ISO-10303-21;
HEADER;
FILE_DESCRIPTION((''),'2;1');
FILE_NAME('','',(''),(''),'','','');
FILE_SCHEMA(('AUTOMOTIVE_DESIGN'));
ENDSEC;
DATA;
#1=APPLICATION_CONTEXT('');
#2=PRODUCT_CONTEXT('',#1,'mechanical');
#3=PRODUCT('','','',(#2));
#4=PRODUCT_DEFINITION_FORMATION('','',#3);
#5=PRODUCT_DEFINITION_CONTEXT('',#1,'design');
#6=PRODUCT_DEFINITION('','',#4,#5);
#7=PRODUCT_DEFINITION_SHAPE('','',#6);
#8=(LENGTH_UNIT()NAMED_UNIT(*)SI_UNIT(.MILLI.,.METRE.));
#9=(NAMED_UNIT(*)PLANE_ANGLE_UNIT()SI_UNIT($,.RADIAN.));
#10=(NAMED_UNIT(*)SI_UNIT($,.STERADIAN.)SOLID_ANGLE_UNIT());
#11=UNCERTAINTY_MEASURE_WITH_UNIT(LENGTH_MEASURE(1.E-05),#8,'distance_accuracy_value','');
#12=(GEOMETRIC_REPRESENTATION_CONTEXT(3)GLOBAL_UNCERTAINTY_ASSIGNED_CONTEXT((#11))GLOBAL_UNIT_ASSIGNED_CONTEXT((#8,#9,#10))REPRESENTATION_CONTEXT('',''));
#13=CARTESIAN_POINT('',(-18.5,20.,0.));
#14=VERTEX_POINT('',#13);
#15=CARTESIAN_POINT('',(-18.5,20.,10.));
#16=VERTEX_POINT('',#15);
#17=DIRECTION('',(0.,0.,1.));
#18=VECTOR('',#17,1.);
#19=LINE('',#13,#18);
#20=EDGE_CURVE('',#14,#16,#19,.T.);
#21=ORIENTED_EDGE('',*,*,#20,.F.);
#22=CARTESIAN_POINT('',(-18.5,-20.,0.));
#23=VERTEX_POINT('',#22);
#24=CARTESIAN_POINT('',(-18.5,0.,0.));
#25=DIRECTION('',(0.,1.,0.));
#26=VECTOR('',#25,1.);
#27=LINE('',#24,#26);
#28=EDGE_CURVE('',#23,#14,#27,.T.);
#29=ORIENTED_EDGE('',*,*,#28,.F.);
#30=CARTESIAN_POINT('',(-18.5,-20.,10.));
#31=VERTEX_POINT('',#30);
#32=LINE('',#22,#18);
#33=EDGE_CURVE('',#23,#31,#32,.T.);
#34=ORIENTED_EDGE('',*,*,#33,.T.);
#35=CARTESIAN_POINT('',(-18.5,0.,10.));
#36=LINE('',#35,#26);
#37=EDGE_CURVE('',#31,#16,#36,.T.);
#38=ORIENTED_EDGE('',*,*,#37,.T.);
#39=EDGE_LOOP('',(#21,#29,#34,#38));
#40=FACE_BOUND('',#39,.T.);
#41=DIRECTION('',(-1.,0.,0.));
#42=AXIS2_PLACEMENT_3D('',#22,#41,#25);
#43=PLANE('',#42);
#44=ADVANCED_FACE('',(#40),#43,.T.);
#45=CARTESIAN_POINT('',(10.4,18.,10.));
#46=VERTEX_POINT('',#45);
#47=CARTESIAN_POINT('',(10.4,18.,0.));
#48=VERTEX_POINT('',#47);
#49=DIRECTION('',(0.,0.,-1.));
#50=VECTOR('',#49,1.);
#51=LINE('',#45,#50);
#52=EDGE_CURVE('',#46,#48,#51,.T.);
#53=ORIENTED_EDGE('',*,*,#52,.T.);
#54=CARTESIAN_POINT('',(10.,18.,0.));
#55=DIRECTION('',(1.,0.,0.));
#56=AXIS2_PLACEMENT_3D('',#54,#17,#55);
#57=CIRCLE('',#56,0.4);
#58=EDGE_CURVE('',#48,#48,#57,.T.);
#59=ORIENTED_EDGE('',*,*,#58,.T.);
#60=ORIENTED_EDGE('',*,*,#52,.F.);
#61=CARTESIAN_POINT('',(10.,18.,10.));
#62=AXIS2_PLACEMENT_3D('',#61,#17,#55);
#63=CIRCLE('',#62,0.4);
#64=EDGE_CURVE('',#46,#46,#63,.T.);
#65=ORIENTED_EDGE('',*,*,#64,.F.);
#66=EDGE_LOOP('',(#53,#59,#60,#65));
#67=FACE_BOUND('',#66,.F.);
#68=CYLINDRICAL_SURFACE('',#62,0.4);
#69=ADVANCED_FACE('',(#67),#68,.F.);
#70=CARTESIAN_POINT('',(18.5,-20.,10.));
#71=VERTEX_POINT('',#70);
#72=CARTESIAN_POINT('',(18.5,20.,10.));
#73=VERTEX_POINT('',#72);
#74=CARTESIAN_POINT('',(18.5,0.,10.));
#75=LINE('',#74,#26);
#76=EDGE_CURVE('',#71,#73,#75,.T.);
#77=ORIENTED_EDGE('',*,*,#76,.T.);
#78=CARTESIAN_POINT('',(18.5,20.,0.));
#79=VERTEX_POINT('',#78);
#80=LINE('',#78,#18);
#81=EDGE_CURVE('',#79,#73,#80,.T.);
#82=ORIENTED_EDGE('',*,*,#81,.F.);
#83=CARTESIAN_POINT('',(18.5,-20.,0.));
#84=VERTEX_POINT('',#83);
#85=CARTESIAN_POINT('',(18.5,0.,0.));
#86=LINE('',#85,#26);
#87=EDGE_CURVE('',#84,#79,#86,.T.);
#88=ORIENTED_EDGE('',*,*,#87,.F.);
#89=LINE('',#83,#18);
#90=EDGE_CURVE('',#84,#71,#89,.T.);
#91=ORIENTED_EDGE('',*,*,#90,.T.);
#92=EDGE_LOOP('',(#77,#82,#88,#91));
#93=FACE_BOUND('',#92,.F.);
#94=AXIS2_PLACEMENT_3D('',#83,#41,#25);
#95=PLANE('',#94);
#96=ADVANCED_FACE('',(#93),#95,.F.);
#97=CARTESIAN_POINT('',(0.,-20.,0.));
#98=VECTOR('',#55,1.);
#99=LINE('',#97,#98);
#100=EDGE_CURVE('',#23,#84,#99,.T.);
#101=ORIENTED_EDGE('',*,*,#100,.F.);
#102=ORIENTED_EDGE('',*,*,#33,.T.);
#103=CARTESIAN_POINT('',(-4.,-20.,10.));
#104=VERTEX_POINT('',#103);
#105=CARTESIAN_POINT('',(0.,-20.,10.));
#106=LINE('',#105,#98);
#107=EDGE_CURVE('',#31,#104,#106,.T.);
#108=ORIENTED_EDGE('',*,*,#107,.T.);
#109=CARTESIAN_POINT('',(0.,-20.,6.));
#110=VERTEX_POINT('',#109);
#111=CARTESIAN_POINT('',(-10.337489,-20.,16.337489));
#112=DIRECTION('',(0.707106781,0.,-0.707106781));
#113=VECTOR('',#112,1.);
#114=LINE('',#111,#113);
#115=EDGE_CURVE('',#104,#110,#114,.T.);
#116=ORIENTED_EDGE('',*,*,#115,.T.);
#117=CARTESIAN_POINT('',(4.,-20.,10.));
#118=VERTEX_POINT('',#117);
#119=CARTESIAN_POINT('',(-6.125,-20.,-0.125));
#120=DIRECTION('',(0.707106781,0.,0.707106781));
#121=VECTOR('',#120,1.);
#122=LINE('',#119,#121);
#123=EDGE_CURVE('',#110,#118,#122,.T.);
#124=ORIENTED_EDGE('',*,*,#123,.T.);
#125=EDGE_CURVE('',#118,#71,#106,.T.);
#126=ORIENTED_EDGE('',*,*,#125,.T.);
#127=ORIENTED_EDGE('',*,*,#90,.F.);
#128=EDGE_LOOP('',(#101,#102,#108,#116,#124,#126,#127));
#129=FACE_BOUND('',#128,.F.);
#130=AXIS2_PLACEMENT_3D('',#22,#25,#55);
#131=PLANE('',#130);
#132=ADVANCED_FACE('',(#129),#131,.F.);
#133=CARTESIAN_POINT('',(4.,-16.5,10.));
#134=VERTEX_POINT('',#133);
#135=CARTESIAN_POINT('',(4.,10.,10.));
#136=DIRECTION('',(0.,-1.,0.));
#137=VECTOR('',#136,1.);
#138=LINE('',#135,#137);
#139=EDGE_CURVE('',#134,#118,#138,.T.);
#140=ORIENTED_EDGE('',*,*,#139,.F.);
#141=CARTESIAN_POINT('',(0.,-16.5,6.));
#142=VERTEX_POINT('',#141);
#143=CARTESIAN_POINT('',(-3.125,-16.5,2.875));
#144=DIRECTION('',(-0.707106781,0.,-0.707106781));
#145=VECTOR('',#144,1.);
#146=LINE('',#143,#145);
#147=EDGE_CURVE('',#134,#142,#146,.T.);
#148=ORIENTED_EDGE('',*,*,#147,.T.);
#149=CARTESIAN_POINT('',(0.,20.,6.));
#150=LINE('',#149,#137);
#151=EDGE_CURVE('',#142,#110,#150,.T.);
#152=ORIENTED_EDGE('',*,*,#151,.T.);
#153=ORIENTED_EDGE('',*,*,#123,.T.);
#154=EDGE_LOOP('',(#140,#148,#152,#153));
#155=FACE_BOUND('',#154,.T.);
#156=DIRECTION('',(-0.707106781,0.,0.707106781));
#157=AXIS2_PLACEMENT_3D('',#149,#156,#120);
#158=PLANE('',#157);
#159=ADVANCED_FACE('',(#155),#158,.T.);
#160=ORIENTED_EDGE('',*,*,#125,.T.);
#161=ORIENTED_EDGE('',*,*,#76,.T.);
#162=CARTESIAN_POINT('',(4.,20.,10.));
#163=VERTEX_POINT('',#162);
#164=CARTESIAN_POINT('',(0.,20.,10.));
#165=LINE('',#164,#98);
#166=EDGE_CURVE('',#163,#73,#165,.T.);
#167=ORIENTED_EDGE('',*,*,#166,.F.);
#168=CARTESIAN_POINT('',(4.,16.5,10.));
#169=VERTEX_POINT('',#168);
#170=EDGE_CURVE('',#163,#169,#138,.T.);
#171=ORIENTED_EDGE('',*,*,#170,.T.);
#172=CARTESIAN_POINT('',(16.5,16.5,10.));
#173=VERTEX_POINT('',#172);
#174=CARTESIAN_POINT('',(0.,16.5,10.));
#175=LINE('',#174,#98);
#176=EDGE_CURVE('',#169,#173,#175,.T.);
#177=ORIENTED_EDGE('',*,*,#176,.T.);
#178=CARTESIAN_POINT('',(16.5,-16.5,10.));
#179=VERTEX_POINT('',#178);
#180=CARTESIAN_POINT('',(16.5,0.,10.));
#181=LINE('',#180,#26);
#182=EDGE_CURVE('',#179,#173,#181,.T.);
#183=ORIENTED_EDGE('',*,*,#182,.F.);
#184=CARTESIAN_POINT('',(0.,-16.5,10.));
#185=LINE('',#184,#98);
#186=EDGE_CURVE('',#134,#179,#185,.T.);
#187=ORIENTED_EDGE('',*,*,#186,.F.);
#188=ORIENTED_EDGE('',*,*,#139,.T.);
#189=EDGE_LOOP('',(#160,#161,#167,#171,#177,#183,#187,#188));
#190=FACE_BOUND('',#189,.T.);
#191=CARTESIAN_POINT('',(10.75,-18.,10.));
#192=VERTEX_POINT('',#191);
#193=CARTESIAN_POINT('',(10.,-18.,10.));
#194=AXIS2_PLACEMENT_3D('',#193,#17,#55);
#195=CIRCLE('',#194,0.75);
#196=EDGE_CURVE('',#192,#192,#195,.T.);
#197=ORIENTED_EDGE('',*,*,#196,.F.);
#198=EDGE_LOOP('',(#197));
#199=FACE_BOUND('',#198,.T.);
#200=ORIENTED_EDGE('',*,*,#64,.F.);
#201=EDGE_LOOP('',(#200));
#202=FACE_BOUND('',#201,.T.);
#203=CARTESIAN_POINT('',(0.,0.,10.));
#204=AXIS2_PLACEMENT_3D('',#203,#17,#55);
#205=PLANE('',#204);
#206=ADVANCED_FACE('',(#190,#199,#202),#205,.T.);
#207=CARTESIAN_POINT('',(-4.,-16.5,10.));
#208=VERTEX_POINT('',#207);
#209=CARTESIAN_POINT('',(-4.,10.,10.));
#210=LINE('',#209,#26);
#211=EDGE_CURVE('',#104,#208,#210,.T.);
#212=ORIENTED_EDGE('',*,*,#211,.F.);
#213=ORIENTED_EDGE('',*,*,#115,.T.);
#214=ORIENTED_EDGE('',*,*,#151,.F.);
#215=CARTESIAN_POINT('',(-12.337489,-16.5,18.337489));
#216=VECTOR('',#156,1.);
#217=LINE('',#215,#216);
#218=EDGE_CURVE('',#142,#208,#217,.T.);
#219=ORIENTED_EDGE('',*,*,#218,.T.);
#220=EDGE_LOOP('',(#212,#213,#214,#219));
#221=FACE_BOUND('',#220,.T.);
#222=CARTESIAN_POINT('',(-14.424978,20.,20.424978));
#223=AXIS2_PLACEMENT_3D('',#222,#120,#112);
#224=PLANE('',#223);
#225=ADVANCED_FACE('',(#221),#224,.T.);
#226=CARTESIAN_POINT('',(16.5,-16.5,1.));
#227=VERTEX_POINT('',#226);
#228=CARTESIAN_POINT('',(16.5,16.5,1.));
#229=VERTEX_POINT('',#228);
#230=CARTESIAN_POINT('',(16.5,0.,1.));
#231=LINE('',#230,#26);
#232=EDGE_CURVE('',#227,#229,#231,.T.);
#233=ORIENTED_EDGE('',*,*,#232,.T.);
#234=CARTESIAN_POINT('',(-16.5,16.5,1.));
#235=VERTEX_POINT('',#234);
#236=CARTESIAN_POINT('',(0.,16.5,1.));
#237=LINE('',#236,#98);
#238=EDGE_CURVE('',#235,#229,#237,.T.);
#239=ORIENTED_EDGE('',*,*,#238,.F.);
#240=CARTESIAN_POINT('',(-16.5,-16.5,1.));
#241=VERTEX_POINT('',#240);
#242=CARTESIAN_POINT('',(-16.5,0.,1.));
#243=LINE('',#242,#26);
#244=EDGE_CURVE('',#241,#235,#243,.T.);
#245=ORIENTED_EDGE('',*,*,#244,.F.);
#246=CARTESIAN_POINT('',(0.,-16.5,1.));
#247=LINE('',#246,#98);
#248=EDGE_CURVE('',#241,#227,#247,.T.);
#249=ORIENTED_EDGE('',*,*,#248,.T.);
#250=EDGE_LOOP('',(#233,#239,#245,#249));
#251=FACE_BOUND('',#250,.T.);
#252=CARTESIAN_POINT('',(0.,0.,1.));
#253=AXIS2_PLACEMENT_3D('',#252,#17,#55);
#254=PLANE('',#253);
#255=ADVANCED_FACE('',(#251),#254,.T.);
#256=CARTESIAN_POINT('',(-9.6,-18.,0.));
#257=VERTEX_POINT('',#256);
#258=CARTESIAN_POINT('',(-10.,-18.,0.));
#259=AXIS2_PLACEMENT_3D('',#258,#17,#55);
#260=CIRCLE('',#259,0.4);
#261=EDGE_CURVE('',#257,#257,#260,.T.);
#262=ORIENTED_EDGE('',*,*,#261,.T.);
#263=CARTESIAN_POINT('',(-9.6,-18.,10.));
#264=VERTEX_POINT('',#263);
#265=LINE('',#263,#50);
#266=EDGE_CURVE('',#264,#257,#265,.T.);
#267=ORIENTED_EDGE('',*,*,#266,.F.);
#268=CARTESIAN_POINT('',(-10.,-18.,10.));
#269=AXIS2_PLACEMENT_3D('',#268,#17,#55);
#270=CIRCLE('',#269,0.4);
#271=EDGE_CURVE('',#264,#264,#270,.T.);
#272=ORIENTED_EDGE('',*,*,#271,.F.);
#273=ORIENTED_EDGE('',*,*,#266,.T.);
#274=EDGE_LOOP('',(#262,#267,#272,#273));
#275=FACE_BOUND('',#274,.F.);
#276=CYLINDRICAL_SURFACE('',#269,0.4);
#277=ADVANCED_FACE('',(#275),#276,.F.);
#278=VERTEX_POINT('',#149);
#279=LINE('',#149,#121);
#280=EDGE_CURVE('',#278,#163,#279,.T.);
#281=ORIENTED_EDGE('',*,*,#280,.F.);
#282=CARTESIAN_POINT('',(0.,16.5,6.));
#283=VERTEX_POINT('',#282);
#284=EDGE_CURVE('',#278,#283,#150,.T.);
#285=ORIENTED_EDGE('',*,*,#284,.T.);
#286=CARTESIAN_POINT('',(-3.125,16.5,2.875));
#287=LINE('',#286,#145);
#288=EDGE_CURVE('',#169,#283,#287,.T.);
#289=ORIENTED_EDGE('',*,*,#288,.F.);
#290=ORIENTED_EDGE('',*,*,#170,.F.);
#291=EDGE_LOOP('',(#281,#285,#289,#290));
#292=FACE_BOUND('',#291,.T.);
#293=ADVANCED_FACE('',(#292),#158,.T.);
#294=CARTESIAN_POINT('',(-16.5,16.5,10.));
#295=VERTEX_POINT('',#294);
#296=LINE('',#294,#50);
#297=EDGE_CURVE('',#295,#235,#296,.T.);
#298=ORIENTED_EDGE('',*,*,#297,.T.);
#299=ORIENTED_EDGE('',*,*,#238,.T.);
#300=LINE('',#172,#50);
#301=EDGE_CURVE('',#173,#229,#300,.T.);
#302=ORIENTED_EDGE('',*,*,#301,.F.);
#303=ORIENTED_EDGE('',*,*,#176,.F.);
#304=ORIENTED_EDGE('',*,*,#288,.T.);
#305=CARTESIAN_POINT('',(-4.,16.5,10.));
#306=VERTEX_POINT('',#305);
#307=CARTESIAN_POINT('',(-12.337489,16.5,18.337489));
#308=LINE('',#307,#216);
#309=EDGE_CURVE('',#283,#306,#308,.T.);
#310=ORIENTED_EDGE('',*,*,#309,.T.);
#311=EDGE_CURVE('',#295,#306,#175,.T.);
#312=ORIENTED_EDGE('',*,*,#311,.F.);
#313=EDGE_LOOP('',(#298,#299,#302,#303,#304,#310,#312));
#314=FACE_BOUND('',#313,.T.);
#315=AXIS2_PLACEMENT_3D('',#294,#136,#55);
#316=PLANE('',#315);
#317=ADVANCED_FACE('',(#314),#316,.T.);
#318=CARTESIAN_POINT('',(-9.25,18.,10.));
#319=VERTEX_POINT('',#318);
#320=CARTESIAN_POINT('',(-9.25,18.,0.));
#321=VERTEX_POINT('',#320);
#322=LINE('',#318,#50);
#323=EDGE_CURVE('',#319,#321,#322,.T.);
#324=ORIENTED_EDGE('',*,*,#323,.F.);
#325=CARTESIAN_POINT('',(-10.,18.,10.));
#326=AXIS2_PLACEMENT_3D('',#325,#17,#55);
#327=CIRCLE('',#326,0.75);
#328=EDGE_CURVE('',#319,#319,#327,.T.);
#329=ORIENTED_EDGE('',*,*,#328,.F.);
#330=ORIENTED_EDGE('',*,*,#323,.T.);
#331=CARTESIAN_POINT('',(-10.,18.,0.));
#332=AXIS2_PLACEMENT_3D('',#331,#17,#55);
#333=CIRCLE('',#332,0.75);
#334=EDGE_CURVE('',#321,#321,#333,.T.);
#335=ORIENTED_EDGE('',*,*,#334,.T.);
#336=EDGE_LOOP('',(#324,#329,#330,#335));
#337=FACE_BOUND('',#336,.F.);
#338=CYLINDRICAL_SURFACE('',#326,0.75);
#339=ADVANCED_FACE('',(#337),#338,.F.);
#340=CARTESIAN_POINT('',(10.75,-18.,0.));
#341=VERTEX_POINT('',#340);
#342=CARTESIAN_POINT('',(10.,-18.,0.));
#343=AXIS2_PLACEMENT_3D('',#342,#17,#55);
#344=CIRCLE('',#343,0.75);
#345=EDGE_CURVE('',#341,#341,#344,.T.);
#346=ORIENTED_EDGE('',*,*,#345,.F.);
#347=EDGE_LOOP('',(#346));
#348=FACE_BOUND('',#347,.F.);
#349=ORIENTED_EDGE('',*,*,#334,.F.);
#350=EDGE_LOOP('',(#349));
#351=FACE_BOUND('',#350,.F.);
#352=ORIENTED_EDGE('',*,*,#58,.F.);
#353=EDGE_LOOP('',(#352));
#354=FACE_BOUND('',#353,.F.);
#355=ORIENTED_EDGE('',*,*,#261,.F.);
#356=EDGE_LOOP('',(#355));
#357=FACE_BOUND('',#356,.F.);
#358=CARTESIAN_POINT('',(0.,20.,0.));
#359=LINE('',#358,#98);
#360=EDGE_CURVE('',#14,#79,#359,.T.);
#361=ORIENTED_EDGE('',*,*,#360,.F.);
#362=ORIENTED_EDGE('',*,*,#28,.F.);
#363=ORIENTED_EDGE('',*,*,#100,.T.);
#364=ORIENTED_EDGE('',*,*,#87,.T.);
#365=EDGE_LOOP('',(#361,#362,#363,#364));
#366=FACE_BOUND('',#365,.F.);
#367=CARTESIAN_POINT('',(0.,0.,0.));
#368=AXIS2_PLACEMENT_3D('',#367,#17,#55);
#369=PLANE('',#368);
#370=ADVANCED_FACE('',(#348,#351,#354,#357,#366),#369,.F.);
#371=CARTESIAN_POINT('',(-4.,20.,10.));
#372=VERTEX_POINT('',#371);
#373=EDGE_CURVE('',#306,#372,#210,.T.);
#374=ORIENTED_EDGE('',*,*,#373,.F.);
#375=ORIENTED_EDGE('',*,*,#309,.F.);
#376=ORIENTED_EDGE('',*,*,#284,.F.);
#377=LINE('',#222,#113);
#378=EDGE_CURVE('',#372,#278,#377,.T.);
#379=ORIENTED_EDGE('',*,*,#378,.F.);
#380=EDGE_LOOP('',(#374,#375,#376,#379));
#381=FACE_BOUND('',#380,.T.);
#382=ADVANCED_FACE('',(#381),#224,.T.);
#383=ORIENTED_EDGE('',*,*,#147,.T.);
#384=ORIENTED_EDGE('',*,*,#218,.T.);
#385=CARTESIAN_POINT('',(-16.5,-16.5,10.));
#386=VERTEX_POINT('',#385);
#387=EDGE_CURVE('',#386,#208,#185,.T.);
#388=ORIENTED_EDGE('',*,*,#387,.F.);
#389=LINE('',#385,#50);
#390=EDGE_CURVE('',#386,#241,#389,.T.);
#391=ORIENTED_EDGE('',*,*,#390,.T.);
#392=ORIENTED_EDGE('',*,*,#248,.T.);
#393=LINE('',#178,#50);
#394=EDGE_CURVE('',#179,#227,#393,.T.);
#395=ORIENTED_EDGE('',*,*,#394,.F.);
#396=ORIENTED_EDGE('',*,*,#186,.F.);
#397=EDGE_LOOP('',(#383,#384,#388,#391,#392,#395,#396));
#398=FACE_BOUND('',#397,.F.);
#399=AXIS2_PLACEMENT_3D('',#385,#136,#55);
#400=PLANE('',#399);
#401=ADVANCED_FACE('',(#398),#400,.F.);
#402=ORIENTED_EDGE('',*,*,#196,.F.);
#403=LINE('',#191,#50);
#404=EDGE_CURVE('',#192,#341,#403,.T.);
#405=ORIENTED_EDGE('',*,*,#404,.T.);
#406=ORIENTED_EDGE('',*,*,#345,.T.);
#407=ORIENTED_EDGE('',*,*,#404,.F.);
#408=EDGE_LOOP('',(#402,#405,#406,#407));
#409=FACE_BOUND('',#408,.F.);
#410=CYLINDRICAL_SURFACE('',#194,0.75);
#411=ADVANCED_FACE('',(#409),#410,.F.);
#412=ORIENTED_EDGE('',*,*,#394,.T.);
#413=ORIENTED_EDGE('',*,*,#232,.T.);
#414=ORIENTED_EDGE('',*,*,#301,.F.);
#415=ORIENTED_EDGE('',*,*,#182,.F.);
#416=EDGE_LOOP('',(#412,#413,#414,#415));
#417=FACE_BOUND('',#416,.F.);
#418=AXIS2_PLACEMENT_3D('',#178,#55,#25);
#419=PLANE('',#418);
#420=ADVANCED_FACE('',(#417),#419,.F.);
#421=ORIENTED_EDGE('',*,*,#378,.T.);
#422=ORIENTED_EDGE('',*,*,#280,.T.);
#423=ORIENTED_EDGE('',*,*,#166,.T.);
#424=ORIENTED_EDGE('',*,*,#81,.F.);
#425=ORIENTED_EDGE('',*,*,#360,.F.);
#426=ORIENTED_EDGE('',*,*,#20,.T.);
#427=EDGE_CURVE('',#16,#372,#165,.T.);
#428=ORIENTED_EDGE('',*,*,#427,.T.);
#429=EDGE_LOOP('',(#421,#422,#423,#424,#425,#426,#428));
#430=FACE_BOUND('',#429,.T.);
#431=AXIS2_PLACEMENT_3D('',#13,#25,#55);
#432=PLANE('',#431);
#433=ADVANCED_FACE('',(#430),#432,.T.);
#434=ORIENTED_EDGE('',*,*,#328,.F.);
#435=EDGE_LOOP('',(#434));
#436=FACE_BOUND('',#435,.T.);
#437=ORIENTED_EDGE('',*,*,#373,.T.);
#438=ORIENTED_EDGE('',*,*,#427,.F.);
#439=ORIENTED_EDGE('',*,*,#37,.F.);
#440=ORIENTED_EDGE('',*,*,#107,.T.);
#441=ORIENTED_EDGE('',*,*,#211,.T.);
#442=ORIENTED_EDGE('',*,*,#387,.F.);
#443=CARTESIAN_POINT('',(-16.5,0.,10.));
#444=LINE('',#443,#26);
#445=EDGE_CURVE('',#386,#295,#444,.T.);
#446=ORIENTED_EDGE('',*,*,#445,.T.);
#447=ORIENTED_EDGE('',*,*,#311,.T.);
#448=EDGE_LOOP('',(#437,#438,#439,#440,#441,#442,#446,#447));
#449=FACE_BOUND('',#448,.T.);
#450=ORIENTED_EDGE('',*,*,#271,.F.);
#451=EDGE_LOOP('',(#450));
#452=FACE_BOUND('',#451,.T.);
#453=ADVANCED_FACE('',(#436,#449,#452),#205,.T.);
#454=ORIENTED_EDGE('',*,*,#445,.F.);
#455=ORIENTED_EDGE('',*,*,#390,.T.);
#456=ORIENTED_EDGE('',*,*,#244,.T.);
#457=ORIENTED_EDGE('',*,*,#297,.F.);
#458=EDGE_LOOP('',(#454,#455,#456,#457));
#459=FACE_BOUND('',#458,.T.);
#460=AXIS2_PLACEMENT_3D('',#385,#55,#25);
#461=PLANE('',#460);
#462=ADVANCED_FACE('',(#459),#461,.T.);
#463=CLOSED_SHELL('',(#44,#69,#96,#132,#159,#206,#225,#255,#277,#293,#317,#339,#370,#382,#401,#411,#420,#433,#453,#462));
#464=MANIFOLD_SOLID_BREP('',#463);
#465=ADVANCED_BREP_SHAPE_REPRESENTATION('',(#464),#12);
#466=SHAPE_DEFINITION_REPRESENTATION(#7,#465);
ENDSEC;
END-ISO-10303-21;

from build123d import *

# Parameters (mm, degrees)
SKETCH_W        = 37
SKETCH_H        = 40
PAD_DEPTH       = 10
SKETCH001_W     = 33
SKETCH001_H     = 33
POCKET_DEPTH    = 9
POCKET001_DEPTH = 40.001
SKETCH003_R     = 0.75
SKETCH003_R_2   = 0.4
POCKET002_DEPTH = 10.001


with BuildPart() as part:
    # Sketch → Pad (new body)
    with BuildSketch(Plane.XY):
        Rectangle(SKETCH_W, SKETCH_H)
    extrude(amount=PAD_DEPTH)

    # Sketch001 (on Face6 of Pad) → Pocket (cut)
    with BuildSketch(Plane.XY.offset(10)):
        Rectangle(SKETCH001_W, SKETCH001_H)
    extrude(amount=-POCKET_DEPTH, mode=Mode.SUBTRACT)

    # Sketch002 (on Face1 of Pocket) → Pocket001 (cut, through all)
    with BuildSketch(Plane(origin=(0, 20, 0), x_dir=(-1, 0, 0), z_dir=(0, 1, 0))):
        Polygon((14.424978, 20.424978), (0, 6), (-14.424978, 20.424978), align=None)
    extrude(amount=-POCKET001_DEPTH, mode=Mode.SUBTRACT)

    # Sketch003 (on Face7 of Pocket001) → Pocket002 (cut, through all)
    with BuildSketch(Plane.XY.offset(10)):
        with Locations((-10, 18)):
            Circle(SKETCH003_R)
        with Locations((10, 18)):
            Circle(SKETCH003_R_2)
        with Locations((-10, -18)):
            Circle(SKETCH003_R_2)
        with Locations((10, -18)):
            Circle(SKETCH003_R)
    extrude(amount=-POCKET002_DEPTH, mode=Mode.SUBTRACT)


solid = part.part
